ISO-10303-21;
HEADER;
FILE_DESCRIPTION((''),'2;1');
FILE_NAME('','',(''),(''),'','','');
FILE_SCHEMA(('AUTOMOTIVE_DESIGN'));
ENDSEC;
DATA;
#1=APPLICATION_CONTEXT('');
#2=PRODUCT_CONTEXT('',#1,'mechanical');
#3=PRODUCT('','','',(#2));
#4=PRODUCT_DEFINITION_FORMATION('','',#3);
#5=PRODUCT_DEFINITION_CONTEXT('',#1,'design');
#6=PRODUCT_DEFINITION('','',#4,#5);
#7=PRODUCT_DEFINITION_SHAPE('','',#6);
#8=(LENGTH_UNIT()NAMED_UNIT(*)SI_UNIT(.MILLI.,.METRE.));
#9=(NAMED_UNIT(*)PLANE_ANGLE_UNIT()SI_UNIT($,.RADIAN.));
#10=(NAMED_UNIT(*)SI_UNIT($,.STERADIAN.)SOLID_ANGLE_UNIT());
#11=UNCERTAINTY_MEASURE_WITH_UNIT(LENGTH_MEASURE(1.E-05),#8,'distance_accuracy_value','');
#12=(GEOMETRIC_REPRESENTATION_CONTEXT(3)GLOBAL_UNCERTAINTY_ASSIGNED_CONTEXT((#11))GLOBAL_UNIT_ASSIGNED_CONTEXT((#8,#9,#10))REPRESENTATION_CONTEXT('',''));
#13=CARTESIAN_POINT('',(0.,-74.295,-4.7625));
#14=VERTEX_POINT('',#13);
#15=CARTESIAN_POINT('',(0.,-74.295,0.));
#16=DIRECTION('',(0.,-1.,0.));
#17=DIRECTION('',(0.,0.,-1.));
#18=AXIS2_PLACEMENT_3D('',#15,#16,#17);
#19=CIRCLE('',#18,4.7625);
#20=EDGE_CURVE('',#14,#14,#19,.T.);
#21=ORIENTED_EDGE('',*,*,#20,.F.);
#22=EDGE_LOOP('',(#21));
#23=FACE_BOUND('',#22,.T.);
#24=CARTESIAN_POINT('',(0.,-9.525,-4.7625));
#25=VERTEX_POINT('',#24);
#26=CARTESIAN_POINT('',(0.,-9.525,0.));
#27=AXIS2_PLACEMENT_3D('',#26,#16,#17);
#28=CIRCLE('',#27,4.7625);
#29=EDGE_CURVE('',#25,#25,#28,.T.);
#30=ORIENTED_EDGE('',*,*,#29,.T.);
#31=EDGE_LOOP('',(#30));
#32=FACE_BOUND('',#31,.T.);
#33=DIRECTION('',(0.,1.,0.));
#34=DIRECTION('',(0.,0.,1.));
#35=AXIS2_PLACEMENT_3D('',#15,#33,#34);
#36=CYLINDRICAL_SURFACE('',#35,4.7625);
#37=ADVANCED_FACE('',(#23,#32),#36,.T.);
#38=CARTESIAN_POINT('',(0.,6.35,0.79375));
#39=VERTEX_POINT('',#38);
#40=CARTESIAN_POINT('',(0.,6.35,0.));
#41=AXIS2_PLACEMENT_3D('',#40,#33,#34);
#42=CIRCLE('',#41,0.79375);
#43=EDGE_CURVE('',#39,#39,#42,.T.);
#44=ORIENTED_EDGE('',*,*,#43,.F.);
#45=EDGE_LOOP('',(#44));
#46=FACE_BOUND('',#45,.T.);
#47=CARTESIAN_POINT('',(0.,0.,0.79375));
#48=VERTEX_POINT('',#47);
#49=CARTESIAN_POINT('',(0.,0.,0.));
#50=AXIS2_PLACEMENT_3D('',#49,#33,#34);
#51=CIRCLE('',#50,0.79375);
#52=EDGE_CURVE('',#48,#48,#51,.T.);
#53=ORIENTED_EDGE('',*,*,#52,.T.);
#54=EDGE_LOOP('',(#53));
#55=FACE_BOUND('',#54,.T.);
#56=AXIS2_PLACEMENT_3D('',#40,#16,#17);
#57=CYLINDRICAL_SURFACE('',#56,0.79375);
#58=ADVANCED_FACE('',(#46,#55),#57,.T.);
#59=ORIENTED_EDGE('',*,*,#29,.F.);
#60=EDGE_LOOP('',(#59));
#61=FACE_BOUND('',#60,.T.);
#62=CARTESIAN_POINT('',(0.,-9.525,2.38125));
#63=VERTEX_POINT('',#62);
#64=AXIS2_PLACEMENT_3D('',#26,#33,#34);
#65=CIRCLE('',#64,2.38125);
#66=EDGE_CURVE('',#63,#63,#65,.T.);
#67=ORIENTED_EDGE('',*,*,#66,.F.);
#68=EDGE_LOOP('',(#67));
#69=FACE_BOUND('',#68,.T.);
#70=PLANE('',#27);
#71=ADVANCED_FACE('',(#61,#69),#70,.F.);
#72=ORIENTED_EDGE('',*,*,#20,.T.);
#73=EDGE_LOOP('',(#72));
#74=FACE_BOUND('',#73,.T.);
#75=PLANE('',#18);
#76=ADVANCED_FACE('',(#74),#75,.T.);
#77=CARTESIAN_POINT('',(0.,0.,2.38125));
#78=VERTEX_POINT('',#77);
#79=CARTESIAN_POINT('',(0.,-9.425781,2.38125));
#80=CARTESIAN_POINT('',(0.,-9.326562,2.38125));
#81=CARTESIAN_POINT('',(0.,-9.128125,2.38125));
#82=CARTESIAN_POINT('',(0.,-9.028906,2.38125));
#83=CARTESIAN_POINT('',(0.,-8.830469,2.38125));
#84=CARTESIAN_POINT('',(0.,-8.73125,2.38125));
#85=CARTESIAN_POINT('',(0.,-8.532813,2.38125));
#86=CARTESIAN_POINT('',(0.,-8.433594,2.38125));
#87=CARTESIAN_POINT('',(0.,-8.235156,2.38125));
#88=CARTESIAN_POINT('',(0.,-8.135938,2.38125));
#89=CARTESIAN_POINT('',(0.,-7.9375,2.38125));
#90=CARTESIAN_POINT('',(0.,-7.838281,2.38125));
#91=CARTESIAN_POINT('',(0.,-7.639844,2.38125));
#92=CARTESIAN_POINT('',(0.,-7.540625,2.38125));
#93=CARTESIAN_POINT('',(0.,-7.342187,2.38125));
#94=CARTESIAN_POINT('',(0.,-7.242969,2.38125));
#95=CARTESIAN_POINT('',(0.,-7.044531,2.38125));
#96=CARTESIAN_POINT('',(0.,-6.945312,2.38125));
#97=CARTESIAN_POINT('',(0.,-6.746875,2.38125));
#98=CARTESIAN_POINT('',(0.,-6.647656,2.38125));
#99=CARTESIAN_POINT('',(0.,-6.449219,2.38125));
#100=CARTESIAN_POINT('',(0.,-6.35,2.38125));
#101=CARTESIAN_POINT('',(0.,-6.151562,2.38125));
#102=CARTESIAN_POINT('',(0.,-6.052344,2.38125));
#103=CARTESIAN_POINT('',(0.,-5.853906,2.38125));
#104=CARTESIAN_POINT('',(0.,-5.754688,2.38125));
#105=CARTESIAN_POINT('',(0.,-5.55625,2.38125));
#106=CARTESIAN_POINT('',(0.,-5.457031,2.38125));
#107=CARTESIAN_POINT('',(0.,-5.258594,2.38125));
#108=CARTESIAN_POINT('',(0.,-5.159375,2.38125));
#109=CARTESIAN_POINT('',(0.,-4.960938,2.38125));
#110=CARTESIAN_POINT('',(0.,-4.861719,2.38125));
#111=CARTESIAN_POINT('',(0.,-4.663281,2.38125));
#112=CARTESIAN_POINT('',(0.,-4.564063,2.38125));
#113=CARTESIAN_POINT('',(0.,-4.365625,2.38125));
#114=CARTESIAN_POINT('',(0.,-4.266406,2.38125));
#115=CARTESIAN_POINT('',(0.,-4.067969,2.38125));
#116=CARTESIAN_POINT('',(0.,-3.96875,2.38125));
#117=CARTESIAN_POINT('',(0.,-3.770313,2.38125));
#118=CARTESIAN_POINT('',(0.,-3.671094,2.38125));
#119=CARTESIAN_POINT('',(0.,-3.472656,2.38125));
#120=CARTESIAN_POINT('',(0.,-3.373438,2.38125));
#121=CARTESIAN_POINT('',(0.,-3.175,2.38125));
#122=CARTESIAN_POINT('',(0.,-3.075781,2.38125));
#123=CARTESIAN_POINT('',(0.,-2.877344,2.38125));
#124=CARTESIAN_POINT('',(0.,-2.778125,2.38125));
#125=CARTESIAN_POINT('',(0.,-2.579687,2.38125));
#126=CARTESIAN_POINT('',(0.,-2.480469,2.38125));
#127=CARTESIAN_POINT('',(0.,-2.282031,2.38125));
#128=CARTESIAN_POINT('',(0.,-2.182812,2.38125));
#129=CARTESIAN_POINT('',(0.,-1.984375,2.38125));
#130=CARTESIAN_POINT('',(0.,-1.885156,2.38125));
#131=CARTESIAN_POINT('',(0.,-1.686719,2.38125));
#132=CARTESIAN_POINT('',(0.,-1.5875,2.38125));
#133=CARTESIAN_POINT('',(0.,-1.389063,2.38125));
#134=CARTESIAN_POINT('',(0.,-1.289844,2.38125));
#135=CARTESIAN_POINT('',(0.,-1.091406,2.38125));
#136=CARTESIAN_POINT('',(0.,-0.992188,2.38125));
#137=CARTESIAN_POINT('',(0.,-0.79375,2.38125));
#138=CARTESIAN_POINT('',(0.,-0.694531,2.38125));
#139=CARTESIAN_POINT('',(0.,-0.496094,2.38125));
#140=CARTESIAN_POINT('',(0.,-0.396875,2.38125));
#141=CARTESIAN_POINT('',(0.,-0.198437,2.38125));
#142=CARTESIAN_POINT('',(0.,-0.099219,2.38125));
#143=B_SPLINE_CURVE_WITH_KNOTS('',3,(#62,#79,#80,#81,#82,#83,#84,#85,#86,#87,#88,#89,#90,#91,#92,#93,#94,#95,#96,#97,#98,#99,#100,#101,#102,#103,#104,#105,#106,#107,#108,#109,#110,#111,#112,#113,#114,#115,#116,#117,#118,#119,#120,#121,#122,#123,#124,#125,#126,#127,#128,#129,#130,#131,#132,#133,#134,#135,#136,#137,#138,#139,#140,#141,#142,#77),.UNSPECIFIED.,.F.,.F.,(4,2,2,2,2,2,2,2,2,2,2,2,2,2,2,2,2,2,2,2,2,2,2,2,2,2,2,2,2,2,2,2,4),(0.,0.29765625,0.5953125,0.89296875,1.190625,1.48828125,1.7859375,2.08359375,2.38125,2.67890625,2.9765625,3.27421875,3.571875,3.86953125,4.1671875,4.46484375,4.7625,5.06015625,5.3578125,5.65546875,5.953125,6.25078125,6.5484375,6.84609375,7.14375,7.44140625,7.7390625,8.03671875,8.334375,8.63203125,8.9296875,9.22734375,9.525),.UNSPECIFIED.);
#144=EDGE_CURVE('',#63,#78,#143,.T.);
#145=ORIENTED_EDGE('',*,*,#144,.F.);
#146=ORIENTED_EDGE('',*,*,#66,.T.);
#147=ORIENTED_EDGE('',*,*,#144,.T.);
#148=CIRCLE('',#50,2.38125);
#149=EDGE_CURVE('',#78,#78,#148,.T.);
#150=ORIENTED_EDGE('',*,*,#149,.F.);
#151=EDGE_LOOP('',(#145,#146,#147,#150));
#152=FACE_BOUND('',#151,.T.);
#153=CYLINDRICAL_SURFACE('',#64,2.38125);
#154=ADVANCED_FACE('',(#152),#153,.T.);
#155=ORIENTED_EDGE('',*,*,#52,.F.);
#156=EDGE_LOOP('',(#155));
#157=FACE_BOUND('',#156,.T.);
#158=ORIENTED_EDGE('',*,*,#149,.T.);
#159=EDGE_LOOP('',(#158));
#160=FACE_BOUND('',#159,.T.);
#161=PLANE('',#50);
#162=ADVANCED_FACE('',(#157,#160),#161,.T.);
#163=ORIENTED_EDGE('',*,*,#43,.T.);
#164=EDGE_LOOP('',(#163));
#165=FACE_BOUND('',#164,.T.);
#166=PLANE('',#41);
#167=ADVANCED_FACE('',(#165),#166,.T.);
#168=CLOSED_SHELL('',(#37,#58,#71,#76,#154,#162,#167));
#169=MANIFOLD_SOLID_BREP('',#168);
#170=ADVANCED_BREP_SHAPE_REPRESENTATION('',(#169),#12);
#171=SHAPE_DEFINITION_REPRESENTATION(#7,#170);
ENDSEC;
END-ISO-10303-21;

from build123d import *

# Parameters (mm, degrees)
SKETCH1_R           = 2.38125
BOSS_EXTRUDE1_DEPTH = 9.525
SKETCH2_R           = 4.7625
BOSS_EXTRUDE2_DEPTH = 64.77
SKETCH3_R           = 0.79375
BOSS_EXTRUDE3_DEPTH = 6.35


with BuildPart() as part:
    # Sketch1 → Boss-Extrude1 (new body)
    with BuildSketch(Plane(origin=(0, 0, 0), x_dir=(1, 0, 0), z_dir=(0, 1, 0))):
        with Locations(Location((0, 0, 0), (0, 0, 270))):
            Circle(SKETCH1_R)
    extrude(amount=-BOSS_EXTRUDE1_DEPTH)

    # Sketch2 → Boss-Extrude2 (add)
    with BuildSketch(Plane(origin=(0, -9.525, 0), x_dir=(-1, 0, 0), z_dir=(0, -1, 0))):
        with Locations(Location((0, 0, 0), (0, 0, 90))):
            Circle(SKETCH2_R)
    extrude(amount=BOSS_EXTRUDE2_DEPTH)

    # Sketch3 → Boss-Extrude3 (add)
    with BuildSketch(Plane(origin=(0, 0, 0), x_dir=(1, 0, 0), z_dir=(0, 1, 0))):
        with Locations(Location((0, 0, 0), (0, 0, 270))):
            Circle(SKETCH3_R)
    extrude(amount=BOSS_EXTRUDE3_DEPTH)


solid = part.part
